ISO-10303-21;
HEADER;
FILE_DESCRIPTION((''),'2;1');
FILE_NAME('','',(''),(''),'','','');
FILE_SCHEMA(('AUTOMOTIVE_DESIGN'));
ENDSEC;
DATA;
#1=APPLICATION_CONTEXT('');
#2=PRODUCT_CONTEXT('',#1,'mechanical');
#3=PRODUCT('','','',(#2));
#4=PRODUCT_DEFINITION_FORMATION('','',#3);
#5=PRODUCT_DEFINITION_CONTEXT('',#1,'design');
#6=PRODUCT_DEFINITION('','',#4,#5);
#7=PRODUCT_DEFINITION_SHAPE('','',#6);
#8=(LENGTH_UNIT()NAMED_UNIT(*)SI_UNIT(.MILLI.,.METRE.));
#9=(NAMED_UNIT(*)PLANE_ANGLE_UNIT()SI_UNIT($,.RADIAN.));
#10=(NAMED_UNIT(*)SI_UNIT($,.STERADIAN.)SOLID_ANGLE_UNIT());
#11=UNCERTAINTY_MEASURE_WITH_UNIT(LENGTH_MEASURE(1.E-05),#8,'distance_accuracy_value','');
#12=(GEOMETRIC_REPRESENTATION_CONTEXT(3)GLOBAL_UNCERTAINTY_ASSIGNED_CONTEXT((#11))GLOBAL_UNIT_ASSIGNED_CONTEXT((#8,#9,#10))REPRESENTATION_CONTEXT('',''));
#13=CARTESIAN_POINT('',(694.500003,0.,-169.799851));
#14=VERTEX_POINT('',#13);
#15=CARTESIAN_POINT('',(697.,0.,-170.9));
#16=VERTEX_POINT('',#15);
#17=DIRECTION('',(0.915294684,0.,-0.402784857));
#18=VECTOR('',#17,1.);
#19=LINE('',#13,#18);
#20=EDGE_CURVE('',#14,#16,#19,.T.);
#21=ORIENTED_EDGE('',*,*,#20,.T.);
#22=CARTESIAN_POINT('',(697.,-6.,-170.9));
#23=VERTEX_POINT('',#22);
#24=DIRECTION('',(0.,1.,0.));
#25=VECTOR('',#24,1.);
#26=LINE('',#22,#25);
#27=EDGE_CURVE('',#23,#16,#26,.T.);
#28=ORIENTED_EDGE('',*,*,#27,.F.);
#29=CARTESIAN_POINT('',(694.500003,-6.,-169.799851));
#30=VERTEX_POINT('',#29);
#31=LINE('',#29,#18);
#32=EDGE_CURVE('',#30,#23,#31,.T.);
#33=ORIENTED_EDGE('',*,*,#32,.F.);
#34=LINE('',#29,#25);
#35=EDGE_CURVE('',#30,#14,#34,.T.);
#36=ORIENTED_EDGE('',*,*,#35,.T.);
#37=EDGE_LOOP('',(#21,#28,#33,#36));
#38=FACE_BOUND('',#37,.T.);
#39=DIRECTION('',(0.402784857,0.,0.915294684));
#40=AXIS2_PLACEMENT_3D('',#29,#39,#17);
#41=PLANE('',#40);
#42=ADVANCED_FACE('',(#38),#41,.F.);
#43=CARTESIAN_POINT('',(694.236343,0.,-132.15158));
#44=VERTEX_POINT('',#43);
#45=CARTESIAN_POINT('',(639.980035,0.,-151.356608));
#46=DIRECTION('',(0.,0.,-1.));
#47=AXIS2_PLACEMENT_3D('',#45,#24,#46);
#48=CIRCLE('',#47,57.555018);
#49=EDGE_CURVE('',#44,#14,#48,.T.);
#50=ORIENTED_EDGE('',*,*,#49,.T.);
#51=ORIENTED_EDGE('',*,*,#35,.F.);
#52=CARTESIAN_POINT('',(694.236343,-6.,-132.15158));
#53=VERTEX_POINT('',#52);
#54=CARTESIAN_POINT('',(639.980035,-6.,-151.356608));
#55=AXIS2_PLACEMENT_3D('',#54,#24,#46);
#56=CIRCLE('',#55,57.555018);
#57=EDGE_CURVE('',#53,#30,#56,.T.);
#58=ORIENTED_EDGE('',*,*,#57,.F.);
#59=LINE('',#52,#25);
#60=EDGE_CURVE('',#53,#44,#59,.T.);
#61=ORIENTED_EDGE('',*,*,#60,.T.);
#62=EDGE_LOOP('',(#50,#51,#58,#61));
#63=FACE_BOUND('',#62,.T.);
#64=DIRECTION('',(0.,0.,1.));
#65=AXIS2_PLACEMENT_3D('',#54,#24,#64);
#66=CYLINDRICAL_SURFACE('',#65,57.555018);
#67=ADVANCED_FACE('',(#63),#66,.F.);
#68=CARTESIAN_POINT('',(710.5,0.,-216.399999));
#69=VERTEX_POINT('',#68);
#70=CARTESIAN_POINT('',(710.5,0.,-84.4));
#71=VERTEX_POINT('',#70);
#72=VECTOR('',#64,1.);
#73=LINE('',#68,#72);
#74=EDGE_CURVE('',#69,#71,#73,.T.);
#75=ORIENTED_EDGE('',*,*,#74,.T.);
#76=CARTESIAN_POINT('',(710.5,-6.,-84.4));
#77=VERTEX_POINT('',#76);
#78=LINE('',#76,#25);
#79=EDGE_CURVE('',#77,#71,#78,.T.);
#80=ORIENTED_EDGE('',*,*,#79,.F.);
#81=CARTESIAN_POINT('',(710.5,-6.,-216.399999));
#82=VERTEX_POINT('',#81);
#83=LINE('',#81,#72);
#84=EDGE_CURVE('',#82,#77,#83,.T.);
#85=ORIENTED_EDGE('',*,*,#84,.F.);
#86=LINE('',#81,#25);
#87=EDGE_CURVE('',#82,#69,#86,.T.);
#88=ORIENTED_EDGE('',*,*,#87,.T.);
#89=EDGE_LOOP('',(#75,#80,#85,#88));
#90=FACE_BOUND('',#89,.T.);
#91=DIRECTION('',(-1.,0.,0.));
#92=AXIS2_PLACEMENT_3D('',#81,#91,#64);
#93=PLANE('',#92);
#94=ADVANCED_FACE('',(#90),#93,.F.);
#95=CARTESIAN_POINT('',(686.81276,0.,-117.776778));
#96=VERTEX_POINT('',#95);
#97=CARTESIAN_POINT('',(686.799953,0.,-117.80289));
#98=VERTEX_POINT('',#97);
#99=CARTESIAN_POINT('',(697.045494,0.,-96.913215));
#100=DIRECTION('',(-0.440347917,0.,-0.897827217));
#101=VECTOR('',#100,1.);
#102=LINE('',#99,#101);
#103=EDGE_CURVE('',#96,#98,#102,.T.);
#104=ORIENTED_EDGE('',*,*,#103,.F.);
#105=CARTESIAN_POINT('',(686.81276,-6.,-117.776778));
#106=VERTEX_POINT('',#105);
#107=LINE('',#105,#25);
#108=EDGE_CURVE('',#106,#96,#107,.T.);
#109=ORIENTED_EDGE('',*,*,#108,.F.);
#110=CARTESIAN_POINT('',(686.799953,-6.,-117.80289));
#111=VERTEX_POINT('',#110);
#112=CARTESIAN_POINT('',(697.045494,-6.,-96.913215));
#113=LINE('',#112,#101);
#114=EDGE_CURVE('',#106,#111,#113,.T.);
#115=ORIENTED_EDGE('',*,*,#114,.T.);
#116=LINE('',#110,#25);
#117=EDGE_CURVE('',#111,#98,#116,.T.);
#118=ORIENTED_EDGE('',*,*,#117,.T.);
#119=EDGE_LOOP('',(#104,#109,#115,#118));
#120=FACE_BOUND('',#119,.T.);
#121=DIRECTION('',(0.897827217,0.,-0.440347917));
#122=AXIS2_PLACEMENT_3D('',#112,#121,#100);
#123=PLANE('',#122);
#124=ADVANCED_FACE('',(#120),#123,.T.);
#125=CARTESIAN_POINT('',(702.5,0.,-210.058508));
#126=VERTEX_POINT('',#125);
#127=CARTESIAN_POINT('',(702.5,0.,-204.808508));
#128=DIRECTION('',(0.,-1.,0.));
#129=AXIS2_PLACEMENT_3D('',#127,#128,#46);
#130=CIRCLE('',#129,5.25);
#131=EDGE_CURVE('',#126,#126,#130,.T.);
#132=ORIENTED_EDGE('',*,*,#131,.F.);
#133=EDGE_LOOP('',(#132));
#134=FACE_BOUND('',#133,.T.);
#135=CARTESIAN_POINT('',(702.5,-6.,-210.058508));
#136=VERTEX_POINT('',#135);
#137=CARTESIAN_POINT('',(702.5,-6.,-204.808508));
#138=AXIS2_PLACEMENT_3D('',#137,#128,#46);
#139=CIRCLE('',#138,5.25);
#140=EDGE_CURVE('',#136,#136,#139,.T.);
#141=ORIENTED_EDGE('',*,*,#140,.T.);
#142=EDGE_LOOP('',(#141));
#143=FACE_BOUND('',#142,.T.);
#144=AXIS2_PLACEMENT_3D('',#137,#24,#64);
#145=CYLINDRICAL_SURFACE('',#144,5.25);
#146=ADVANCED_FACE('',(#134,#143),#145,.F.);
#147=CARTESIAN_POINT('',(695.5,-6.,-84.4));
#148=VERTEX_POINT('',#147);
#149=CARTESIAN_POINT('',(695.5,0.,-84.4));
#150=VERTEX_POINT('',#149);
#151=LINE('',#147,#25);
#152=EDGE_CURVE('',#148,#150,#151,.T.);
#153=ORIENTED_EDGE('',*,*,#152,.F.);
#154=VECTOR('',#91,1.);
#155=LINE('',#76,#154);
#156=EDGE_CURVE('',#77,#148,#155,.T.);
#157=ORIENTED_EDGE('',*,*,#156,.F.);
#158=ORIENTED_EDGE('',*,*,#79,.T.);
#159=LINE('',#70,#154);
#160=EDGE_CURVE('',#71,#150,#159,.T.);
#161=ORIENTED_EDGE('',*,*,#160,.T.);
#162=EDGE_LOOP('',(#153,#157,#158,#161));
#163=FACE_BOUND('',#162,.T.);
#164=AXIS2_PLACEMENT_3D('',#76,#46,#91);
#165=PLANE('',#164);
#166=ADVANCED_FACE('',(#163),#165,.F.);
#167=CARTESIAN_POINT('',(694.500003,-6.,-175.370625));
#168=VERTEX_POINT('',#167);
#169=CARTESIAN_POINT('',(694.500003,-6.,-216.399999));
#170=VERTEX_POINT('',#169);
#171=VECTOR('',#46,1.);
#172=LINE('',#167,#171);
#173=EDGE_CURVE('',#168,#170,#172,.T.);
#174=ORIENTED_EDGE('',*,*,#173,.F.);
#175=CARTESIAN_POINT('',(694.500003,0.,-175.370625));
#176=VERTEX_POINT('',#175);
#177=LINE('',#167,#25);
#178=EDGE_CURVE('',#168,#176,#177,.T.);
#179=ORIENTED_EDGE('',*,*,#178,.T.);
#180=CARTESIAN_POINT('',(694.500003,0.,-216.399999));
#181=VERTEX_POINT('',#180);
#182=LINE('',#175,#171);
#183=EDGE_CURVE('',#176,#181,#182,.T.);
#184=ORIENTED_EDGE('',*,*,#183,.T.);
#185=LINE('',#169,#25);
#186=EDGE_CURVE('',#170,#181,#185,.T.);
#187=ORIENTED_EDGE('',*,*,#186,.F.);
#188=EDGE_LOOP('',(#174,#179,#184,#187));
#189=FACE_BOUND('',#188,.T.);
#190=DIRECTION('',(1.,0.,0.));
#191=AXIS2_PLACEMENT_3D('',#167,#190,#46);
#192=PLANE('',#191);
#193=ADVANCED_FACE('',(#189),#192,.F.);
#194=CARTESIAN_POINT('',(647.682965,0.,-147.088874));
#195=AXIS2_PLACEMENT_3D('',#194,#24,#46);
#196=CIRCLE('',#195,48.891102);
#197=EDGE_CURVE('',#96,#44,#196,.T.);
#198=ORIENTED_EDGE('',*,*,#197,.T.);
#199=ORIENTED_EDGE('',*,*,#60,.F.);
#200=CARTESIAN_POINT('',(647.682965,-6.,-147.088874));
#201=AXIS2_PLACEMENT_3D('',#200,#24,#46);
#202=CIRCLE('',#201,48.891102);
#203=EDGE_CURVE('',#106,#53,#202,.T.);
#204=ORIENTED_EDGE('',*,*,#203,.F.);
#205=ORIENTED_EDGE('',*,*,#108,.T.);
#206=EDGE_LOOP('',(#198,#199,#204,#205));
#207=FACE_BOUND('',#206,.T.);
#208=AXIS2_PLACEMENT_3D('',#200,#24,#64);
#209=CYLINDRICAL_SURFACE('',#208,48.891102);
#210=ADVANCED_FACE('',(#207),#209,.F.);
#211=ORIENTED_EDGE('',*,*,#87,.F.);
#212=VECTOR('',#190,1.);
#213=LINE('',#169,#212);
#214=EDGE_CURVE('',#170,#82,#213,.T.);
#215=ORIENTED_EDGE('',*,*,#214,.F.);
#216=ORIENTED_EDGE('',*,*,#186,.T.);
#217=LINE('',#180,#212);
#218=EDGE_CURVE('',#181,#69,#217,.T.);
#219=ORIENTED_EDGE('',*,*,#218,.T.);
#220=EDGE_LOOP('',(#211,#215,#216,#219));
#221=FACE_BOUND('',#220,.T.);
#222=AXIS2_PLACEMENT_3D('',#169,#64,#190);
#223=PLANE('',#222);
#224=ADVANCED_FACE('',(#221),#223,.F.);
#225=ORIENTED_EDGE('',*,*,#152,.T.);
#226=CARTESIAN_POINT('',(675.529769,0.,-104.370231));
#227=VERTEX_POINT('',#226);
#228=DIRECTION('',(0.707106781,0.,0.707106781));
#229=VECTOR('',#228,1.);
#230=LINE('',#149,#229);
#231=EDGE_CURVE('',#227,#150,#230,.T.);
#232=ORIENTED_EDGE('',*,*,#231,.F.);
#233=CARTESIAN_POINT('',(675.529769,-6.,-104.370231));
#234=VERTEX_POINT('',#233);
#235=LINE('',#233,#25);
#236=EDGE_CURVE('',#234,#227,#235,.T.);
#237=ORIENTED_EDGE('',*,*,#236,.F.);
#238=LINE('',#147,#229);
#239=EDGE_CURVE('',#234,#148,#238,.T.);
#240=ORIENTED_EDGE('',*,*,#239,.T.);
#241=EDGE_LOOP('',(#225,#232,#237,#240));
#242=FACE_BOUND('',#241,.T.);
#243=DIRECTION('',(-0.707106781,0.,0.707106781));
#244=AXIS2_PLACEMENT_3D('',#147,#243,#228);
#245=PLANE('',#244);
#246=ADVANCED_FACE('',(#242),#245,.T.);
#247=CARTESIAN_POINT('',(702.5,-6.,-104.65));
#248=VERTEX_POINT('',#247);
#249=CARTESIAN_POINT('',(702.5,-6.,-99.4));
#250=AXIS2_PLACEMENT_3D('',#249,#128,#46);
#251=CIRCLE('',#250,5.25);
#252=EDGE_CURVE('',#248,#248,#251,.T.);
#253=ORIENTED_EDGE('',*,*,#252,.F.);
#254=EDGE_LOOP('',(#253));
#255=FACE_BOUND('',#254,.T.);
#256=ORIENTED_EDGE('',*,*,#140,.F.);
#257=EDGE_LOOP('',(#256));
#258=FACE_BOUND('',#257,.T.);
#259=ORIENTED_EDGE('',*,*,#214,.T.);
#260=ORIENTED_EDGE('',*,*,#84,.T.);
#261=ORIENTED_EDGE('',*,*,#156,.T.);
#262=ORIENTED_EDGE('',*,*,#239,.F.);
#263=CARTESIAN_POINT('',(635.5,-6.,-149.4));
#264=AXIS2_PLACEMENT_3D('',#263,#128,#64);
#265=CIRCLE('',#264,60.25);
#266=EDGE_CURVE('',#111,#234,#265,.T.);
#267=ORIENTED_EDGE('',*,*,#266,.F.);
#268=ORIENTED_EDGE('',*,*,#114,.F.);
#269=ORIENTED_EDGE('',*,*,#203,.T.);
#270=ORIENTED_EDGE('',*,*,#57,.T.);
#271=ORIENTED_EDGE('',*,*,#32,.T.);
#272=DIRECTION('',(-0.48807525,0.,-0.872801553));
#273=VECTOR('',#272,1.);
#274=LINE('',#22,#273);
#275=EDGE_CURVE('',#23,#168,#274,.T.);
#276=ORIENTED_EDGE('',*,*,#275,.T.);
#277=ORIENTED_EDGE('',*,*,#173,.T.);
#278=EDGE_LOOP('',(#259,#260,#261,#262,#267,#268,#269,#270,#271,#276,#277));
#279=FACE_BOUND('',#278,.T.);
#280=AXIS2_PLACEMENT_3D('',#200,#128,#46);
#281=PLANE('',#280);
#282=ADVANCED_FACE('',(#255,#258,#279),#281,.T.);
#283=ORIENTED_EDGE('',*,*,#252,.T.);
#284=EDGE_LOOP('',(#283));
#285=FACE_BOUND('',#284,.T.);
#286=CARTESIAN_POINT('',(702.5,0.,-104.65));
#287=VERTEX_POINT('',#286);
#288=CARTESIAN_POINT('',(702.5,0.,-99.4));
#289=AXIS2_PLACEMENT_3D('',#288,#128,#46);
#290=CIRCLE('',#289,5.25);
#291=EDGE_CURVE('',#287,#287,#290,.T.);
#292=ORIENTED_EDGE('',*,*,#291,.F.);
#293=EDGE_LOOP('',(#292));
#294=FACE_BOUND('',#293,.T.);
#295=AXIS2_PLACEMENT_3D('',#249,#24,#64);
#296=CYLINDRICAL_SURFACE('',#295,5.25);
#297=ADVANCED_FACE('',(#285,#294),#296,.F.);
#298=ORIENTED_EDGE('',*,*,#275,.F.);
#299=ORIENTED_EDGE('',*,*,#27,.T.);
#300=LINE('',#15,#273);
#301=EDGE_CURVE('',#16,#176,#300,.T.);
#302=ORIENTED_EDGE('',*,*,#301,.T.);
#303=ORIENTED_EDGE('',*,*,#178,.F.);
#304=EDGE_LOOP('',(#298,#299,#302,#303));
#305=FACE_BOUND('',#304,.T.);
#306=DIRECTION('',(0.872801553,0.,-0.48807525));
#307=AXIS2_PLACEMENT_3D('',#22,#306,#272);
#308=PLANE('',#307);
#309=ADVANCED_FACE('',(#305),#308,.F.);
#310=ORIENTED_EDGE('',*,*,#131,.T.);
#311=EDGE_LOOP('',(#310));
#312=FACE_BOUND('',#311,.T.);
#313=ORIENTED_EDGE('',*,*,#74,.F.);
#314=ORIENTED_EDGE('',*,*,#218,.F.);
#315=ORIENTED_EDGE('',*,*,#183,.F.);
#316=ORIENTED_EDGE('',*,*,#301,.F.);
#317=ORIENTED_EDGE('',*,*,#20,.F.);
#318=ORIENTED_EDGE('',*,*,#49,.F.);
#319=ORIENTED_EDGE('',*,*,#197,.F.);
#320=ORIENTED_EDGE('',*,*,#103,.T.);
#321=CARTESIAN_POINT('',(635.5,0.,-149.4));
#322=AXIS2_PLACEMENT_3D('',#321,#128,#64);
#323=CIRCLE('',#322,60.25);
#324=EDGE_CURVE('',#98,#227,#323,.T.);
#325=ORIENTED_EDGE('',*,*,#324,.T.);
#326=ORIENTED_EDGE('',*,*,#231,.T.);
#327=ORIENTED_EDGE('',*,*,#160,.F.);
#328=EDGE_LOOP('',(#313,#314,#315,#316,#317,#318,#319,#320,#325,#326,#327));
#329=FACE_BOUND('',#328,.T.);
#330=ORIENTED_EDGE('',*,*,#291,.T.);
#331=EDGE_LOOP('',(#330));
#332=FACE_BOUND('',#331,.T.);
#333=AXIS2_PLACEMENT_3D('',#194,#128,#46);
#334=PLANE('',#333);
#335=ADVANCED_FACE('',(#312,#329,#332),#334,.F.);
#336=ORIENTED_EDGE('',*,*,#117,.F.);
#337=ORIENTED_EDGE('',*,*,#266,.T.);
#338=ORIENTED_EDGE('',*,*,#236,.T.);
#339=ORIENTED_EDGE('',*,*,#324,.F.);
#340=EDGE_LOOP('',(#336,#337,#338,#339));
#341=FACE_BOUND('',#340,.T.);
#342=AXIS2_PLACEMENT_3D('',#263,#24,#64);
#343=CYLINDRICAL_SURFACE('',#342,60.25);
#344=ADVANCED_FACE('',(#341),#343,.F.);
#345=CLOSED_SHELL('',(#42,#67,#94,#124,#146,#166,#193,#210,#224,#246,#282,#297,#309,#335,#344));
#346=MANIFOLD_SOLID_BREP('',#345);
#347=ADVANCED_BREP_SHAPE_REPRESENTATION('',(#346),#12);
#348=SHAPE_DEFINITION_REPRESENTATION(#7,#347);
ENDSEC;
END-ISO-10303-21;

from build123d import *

# Parameters (mm, degrees)
MODEL_R             = 5.25
BOSS_EXTRUDE1_DEPTH = 6
BOSS_EXTRUDE2_DEPTH = 6
SKETCH3_R           = 60.25
CUT_EXTRUDE1_DEPTH  = 10


with BuildPart() as part:
    # Model → Boss-Extrude1 (new body)
    with BuildSketch(Plane.XZ):
        with BuildLine():
            Line((694.500002921, -169.799850935), (696.999999799, -170.90000032))
            Line((696.999999799, -170.90000032), (694.500002921, -175.370624794))
            Line((694.500002921, -175.370624794), (694.500002921, -216.399998612))
            Line((694.500002921, -216.399998612), (710.5, -216.399998612))
            Line((710.5, -216.399998612), (710.5, -84.4))
            Line((710.5, -84.4), (695.5, -84.4))
            Line((695.5, -84.4), (695.5, -89.4))
            ThreePointArc((695.5, -89.4), (692.807600963, -103.748366696), (685.918459021, -116.61943358))
            ThreePointArc((685.918459021, -116.61943358), (690.782850281, -124.007719547), (694.236343401, -132.151579634))
            ThreePointArc((694.236343401, -132.151579634), (697.533641796, -150.953546779), (694.500002921, -169.799850935))
        make_face()
        with Locations(Location((702.5, -204.808507537, 0), (0, 0, 270))):
            Circle(MODEL_R, mode=Mode.SUBTRACT)
        with Locations(Location((702.5, -99.4, 0), (0, 0, 270))):
            Circle(MODEL_R, mode=Mode.SUBTRACT)
    extrude(amount=BOSS_EXTRUDE1_DEPTH)

    # Sketch2 → Boss-Extrude2 (add)
    with BuildSketch(Plane(origin=(0, 0, 0), x_dir=(1, 0, 0), z_dir=(0, 1, 0))):
        with BuildLine():
            Line((695.5, 84.4), (675.529768986, 104.370231014))
            ThreePointArc((675.529768986, 104.370231014), (681.656132965, 110.674376833), (686.799952909, 117.802890457))
            Line((686.799952909, 117.802890457), (697.045493523, 96.913214697))
            Line((697.045493523, 96.913214697), (695.5, 84.4))
        make_face()
    extrude(amount=-BOSS_EXTRUDE2_DEPTH)

    # Sketch3 → Cut-Extrude1 (cut)
    with BuildSketch(Plane(origin=(0, 0, 0), x_dir=(1, 0, 0), z_dir=(0, 1, 0))):
        with Locations((635.5, 149.4)):
            Circle(SKETCH3_R)
    extrude(amount=-CUT_EXTRUDE1_DEPTH, mode=Mode.SUBTRACT)


solid = part.part
